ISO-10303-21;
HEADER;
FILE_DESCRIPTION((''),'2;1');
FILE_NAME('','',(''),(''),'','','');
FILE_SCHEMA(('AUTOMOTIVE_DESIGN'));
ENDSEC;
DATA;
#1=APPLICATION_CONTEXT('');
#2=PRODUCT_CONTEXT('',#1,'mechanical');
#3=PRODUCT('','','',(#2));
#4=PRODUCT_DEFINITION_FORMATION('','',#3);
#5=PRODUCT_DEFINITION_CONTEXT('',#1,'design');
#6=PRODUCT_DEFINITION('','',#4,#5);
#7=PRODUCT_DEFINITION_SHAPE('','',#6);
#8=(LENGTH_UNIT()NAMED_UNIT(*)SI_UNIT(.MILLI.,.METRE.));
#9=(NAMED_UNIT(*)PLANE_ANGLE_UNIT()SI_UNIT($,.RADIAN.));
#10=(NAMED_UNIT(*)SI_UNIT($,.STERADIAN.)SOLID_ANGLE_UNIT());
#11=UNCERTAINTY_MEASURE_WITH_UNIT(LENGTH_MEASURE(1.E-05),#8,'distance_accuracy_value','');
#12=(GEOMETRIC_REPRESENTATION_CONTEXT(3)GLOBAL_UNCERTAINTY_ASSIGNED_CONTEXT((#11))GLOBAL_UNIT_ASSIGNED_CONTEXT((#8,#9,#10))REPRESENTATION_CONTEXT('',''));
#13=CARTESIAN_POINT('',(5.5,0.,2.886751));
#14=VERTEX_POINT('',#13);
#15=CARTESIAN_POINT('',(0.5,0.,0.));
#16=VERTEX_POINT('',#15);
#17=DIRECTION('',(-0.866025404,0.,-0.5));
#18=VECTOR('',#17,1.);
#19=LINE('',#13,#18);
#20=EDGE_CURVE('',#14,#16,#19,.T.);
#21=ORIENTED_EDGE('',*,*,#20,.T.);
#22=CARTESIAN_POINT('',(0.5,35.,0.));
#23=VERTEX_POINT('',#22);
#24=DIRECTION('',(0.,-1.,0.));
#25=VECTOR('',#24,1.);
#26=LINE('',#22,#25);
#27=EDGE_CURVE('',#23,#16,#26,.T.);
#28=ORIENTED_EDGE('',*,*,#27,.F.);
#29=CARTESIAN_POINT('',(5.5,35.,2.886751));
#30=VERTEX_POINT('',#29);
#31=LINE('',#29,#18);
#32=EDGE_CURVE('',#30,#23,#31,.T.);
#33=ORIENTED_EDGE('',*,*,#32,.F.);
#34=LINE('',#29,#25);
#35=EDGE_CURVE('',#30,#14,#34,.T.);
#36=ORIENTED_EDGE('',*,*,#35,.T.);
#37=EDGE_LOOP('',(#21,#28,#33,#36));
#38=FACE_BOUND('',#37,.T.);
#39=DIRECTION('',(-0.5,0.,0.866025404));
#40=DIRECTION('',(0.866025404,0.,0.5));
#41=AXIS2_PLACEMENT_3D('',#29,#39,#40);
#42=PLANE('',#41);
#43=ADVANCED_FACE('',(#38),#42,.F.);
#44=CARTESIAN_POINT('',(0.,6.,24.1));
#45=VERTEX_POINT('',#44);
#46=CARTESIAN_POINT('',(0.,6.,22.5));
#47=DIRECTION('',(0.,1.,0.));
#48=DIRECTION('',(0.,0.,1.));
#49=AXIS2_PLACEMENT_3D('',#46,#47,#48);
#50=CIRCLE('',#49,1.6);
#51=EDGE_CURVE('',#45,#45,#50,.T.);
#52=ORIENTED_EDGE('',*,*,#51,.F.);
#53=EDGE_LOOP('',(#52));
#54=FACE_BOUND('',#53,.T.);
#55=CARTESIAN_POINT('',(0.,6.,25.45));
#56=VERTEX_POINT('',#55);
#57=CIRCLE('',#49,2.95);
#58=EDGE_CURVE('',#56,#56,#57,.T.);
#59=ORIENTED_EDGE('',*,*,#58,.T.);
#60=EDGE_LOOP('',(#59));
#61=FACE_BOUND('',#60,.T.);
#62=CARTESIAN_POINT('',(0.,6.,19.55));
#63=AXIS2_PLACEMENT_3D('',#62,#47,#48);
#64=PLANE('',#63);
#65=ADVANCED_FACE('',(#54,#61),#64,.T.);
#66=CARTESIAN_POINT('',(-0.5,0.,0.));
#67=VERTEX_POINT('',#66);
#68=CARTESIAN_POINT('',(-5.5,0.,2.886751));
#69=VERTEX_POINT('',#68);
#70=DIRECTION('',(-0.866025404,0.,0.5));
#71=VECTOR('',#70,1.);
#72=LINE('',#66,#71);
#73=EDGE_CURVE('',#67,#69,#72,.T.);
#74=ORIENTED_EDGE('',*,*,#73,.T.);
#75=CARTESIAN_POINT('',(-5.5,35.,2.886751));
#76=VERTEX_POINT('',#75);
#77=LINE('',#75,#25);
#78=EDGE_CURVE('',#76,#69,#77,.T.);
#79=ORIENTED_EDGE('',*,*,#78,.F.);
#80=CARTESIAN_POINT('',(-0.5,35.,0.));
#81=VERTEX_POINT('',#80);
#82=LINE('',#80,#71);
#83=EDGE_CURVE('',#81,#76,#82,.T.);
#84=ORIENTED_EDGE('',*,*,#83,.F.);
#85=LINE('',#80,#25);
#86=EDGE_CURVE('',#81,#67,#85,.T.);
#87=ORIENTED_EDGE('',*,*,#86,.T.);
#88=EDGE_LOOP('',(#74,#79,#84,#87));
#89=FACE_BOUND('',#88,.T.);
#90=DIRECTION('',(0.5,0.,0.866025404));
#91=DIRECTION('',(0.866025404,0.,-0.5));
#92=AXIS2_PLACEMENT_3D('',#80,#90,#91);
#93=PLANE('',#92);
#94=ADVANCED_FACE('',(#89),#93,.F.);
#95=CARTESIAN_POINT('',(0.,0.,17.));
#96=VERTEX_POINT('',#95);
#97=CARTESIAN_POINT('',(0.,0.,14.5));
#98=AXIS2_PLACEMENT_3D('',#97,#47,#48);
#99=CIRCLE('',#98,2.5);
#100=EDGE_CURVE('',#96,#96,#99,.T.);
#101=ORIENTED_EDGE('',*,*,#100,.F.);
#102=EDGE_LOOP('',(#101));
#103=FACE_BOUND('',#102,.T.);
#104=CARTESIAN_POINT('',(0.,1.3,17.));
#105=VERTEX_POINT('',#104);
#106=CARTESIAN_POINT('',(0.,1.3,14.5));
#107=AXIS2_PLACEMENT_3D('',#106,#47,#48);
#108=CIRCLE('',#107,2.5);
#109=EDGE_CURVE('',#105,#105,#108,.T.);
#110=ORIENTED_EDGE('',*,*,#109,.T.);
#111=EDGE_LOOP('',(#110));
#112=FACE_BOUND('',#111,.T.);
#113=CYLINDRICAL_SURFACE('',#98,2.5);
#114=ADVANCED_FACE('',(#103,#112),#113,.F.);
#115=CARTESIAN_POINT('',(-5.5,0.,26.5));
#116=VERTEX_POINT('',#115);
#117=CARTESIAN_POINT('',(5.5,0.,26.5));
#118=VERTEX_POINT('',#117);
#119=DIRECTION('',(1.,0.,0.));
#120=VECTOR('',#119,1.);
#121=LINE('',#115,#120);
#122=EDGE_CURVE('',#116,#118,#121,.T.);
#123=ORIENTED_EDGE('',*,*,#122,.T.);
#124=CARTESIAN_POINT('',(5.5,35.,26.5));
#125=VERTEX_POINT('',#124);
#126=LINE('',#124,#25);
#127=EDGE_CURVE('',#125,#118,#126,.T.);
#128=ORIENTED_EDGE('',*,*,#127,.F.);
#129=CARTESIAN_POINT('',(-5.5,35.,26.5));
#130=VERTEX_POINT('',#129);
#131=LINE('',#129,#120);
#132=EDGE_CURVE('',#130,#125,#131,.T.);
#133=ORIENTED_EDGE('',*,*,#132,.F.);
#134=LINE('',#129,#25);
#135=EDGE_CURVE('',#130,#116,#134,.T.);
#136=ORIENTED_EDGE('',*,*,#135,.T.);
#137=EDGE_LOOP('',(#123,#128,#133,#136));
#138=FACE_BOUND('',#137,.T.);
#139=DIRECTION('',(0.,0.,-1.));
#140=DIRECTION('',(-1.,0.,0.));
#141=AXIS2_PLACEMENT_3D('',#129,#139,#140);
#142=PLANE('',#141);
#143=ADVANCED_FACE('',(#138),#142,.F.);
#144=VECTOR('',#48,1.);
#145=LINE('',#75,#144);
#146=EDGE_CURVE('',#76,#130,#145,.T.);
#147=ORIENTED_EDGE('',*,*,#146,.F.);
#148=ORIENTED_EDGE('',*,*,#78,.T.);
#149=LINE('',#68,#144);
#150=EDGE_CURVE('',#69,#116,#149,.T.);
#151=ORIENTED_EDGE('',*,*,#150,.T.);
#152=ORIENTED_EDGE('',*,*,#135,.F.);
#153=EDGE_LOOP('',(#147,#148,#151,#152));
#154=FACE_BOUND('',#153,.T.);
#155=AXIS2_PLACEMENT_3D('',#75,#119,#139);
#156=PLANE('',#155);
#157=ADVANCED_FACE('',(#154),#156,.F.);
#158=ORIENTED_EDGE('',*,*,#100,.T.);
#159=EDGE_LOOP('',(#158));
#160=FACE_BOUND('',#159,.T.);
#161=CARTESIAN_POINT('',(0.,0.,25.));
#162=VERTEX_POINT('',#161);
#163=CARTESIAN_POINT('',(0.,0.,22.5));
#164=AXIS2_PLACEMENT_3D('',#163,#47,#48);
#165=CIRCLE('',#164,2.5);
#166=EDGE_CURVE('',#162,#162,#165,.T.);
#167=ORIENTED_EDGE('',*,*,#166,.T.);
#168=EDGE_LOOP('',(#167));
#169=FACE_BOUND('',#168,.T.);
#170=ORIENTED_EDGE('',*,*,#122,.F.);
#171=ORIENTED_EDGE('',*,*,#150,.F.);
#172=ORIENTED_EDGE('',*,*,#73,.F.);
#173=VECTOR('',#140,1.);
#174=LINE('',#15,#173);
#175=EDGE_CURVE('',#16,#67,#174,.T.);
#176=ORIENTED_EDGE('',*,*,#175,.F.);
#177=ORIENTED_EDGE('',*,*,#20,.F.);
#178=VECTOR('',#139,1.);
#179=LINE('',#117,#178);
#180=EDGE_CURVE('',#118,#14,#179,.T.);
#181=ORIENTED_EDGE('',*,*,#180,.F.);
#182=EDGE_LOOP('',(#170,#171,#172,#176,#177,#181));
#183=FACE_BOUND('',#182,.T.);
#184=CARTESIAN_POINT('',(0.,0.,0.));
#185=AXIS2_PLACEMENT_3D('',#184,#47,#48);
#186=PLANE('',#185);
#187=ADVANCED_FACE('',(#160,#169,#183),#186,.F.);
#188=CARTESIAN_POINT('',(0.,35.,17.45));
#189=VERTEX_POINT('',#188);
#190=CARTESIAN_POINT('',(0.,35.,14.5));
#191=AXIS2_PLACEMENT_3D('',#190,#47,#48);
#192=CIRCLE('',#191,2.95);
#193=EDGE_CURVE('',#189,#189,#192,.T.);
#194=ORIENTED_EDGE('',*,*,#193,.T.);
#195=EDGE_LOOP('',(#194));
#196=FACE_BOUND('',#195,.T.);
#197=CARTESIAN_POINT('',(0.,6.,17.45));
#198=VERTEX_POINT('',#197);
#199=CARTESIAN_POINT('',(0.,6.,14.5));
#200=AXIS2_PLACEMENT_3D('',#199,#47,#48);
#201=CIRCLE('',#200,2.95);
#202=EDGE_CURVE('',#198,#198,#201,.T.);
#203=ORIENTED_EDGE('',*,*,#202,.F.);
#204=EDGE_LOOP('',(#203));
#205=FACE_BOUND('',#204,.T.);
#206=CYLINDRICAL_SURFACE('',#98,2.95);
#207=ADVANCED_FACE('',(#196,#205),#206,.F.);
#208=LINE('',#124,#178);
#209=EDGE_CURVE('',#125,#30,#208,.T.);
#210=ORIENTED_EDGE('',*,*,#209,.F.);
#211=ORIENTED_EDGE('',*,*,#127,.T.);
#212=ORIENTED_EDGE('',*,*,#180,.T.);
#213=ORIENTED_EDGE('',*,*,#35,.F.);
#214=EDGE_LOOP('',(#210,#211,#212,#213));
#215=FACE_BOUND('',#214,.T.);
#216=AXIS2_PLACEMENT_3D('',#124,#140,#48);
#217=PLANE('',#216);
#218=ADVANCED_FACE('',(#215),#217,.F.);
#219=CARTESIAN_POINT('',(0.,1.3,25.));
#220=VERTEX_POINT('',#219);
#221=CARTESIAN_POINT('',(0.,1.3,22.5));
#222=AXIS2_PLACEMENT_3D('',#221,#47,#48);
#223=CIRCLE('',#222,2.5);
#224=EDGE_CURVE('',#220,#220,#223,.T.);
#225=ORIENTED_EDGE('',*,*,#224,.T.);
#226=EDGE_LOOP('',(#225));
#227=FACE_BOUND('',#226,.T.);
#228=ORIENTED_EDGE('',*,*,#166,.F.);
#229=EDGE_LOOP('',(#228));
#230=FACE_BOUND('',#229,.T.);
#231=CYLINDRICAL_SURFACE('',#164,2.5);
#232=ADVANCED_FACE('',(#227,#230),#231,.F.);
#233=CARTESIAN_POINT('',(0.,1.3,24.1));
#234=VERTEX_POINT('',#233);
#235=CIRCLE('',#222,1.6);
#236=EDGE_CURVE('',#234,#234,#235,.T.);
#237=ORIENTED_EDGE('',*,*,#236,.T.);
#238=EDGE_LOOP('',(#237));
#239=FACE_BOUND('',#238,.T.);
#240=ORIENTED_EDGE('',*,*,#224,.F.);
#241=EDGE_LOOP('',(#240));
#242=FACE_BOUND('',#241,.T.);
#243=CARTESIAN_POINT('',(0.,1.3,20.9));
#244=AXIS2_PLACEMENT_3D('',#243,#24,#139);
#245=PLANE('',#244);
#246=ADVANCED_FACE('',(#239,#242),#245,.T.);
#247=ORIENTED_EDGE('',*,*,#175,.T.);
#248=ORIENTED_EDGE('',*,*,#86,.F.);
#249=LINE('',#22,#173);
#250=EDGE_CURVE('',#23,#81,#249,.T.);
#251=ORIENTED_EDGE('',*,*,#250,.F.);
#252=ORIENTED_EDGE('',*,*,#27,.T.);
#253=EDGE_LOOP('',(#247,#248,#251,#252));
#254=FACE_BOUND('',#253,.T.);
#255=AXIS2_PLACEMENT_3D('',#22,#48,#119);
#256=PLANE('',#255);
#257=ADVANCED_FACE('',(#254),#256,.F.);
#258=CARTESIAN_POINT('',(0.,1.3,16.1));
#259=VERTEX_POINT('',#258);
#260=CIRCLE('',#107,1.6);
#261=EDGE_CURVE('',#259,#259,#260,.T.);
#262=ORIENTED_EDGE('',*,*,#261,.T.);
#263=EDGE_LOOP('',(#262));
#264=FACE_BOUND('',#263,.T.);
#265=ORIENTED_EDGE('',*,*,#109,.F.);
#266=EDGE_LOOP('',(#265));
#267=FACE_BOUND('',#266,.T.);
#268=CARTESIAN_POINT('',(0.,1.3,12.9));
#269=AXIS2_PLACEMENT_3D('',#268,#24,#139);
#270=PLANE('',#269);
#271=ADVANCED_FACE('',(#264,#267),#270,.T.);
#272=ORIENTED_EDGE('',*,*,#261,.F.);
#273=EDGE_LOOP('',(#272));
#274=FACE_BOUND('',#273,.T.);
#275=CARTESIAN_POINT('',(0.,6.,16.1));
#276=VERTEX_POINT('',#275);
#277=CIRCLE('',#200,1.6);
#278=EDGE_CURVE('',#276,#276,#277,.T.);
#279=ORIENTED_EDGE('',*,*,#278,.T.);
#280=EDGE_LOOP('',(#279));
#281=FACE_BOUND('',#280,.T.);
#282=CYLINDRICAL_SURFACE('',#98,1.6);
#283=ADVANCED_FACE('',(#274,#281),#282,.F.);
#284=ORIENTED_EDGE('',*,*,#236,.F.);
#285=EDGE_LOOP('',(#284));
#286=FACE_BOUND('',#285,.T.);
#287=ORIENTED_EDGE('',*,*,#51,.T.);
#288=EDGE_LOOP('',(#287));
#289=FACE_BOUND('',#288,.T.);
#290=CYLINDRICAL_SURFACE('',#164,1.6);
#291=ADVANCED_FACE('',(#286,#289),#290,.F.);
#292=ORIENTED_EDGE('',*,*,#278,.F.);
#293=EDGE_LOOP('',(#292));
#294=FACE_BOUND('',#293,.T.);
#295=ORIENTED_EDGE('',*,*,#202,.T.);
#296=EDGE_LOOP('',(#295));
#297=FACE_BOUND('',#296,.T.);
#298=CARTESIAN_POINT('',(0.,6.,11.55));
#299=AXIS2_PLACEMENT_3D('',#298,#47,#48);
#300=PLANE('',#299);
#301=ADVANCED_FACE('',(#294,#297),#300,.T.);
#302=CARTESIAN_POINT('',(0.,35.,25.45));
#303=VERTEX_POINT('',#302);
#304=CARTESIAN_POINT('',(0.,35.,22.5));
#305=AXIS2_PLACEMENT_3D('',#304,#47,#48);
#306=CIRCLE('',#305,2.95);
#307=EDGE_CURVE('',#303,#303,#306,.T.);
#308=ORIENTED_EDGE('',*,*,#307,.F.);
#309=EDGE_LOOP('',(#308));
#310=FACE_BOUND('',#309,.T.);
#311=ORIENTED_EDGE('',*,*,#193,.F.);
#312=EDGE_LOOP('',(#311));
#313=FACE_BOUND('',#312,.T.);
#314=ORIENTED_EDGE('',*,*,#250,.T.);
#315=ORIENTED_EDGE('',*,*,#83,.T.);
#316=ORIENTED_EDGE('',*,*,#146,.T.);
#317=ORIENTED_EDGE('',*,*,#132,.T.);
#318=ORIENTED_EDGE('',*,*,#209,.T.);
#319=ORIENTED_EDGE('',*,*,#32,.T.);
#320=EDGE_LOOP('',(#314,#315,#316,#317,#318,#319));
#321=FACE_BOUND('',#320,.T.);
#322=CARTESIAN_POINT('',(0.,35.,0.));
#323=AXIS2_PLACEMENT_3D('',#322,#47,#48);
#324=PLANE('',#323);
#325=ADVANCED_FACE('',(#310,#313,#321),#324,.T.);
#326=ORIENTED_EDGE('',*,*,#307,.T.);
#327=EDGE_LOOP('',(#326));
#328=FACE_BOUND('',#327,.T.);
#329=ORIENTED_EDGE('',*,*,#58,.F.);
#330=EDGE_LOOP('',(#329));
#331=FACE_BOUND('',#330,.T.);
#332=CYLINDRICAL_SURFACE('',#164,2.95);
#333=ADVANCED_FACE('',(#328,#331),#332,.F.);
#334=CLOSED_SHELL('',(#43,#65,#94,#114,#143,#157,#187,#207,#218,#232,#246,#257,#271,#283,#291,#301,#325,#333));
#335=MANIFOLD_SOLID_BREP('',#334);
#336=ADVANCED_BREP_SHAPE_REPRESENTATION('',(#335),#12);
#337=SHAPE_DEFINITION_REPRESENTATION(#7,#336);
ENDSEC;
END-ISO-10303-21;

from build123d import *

# Parameters (mm, degrees)
BOSS_EXTRUDE1_DEPTH = 35


with BuildPart() as part:
    # Sketch1 → Boss-Extrude1 (new body)
    with BuildSketch(Plane(origin=(0, 0, 0), x_dir=(1, 0, 0), z_dir=(0, 1, 0))):
        Polygon((-5.5, -26.5), (5.5, -26.5), (5.5, -2.886751346), (0.5, 0), (-0.5, 0), (-5.5, -2.886751346), align=None)
    extrude(amount=BOSS_EXTRUDE1_DEPTH)

    # Sketch2 → Cut-Revolve1 (revolve, cut)
    with BuildSketch(Plane(origin=(0, 0, 0), x_dir=(0, 0, -1), z_dir=(1, 0, 0))):
        Polygon((-14.5, 35), (-11.55, 35), (-11.55, 6), (-12.9, 6), (-12.9, 1.3), (-12, 1.3), (-12, 0), (-14.5, 0), align=None)
    revolve(axis=Axis((0, 0, 14.5), (0, 1, 0)), mode=Mode.SUBTRACT)

    # Sketch3 → Cut-Revolve2 (revolve, cut)
    with BuildSketch(Plane(origin=(0, 0, 0), x_dir=(0, 0, -1), z_dir=(1, 0, 0))):
        Polygon((-22.5, 35), (-19.55, 35), (-19.55, 6), (-20.9, 6), (-20.9, 1.3), (-20, 1.3), (-20, 0), (-22.5, 0), align=None)
    revolve(axis=Axis((0, 0, 22.5), (0, 1, 0)), mode=Mode.SUBTRACT)


solid = part.part
